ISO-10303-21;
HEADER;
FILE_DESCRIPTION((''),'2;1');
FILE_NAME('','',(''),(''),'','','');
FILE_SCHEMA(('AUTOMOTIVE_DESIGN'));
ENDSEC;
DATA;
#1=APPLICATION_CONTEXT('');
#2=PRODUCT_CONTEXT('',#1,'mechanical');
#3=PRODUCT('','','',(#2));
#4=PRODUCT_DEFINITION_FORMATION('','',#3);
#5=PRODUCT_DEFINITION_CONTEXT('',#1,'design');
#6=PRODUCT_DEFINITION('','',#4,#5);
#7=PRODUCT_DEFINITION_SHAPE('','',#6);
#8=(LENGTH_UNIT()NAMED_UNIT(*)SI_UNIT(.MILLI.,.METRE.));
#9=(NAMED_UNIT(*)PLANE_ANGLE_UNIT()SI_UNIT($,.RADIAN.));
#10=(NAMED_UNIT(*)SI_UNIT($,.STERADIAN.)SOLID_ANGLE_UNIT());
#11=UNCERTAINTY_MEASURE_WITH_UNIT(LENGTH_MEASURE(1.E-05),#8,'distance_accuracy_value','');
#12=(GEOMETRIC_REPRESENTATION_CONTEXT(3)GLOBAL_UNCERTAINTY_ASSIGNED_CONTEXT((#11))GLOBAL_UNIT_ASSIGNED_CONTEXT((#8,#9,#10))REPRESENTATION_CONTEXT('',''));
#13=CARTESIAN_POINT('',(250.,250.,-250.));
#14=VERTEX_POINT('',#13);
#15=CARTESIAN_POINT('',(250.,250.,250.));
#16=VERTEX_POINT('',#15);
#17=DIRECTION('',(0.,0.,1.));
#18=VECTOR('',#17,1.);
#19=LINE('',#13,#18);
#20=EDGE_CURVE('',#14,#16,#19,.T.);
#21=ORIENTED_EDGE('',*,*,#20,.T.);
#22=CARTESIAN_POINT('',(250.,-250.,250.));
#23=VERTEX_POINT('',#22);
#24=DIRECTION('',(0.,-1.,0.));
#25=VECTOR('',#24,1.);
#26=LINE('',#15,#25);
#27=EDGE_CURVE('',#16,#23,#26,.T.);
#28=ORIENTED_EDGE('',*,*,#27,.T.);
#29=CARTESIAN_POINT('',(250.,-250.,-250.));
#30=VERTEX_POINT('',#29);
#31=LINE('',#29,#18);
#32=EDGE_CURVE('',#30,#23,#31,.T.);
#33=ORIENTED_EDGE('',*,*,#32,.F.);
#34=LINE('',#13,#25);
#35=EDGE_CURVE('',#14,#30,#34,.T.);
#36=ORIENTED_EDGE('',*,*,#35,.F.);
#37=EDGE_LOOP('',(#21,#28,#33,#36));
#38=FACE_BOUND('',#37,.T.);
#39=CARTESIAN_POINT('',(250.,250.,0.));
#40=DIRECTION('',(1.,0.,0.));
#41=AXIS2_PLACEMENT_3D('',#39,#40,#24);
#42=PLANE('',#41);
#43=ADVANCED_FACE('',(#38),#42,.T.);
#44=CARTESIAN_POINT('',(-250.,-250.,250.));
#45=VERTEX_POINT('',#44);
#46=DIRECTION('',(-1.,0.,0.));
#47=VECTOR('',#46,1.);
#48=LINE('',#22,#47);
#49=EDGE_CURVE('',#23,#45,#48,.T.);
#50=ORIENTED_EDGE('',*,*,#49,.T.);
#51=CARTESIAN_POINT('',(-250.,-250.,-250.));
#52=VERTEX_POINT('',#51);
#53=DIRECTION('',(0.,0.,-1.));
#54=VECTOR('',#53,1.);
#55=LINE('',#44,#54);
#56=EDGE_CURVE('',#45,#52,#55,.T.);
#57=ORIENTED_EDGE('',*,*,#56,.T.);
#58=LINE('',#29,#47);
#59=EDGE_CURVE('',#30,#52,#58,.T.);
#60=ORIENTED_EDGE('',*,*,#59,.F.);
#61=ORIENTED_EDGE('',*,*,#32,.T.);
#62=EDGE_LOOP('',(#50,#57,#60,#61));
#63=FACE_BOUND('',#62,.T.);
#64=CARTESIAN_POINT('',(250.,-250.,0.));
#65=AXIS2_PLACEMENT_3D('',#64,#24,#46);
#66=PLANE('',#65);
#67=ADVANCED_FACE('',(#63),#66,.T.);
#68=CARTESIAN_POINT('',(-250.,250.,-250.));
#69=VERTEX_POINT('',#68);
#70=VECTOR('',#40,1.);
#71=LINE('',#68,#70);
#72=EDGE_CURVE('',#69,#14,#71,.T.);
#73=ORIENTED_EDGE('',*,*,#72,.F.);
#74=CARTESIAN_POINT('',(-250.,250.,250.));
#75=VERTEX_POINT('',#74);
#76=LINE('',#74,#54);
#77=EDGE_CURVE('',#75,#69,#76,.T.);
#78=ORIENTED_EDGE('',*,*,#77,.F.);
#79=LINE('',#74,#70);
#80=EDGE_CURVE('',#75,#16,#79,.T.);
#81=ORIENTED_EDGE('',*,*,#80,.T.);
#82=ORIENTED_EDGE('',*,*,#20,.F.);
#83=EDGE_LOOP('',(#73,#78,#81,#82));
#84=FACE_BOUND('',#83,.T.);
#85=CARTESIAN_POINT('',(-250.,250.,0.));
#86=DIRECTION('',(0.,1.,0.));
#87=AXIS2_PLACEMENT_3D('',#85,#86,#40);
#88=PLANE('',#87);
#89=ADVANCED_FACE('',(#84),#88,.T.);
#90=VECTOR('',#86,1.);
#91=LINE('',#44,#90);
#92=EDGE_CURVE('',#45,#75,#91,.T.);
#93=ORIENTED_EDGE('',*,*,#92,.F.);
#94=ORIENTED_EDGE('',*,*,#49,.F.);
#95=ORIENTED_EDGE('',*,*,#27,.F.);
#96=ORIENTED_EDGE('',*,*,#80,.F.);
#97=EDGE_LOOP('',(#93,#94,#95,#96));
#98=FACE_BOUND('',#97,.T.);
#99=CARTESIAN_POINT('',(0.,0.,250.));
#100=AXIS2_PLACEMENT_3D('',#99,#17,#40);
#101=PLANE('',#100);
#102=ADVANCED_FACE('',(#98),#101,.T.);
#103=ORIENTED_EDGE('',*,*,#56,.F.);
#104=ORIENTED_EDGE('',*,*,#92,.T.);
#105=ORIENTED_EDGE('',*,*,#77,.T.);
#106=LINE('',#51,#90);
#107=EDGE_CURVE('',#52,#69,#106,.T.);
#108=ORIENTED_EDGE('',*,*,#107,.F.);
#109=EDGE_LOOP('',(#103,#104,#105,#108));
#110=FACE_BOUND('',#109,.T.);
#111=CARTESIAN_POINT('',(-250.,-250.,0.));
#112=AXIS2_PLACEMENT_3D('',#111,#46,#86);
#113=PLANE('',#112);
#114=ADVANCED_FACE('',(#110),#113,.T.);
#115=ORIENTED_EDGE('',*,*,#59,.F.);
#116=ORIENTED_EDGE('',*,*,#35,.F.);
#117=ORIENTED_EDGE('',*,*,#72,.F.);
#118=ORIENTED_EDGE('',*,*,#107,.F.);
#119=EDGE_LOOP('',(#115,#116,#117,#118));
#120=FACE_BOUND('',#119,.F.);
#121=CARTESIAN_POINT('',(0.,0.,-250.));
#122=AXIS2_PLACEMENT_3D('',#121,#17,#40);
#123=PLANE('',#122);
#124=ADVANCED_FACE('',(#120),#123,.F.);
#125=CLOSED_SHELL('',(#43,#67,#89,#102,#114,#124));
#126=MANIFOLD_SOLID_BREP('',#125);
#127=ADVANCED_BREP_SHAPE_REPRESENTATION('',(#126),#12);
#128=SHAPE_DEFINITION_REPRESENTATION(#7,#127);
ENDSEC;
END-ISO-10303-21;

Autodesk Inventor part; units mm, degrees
ref_plane "YZ Plane" through (0, 0, 0) normal (1, 0, 0) x (0, 1, 0)
ref_plane "XZ Plane" through (0, 0, 0) normal (0, 1, 0) x (-1, 0, 0)
ref_plane "XY Plane" through (0, 0, 0) normal (0, 0, 1) x (1, 0, 0)
sketch "Эскиз1" plane through (0, 0, 0) normal (0, 0, 1) x (1, 0, 0)
  line L0 (250, -250) -> (-250, -250)
  line L1 (-250, -250) -> (-250, 250)
  line L2 (-250, 250) -> (250, 250)
  line L3 (250, 250) -> (250, -250)
  line L4 (250, -250) -> (-250, 250) construction
  line L5 (-250, -250) -> (250, 250) construction
  point P0 (0, 0)
  dimension "d0" = 500
  dimension "d1" = 500
extrude "Выдавливание1" add sketch "Эскиз1" along normal mid plane 500
properties part number "cube"
